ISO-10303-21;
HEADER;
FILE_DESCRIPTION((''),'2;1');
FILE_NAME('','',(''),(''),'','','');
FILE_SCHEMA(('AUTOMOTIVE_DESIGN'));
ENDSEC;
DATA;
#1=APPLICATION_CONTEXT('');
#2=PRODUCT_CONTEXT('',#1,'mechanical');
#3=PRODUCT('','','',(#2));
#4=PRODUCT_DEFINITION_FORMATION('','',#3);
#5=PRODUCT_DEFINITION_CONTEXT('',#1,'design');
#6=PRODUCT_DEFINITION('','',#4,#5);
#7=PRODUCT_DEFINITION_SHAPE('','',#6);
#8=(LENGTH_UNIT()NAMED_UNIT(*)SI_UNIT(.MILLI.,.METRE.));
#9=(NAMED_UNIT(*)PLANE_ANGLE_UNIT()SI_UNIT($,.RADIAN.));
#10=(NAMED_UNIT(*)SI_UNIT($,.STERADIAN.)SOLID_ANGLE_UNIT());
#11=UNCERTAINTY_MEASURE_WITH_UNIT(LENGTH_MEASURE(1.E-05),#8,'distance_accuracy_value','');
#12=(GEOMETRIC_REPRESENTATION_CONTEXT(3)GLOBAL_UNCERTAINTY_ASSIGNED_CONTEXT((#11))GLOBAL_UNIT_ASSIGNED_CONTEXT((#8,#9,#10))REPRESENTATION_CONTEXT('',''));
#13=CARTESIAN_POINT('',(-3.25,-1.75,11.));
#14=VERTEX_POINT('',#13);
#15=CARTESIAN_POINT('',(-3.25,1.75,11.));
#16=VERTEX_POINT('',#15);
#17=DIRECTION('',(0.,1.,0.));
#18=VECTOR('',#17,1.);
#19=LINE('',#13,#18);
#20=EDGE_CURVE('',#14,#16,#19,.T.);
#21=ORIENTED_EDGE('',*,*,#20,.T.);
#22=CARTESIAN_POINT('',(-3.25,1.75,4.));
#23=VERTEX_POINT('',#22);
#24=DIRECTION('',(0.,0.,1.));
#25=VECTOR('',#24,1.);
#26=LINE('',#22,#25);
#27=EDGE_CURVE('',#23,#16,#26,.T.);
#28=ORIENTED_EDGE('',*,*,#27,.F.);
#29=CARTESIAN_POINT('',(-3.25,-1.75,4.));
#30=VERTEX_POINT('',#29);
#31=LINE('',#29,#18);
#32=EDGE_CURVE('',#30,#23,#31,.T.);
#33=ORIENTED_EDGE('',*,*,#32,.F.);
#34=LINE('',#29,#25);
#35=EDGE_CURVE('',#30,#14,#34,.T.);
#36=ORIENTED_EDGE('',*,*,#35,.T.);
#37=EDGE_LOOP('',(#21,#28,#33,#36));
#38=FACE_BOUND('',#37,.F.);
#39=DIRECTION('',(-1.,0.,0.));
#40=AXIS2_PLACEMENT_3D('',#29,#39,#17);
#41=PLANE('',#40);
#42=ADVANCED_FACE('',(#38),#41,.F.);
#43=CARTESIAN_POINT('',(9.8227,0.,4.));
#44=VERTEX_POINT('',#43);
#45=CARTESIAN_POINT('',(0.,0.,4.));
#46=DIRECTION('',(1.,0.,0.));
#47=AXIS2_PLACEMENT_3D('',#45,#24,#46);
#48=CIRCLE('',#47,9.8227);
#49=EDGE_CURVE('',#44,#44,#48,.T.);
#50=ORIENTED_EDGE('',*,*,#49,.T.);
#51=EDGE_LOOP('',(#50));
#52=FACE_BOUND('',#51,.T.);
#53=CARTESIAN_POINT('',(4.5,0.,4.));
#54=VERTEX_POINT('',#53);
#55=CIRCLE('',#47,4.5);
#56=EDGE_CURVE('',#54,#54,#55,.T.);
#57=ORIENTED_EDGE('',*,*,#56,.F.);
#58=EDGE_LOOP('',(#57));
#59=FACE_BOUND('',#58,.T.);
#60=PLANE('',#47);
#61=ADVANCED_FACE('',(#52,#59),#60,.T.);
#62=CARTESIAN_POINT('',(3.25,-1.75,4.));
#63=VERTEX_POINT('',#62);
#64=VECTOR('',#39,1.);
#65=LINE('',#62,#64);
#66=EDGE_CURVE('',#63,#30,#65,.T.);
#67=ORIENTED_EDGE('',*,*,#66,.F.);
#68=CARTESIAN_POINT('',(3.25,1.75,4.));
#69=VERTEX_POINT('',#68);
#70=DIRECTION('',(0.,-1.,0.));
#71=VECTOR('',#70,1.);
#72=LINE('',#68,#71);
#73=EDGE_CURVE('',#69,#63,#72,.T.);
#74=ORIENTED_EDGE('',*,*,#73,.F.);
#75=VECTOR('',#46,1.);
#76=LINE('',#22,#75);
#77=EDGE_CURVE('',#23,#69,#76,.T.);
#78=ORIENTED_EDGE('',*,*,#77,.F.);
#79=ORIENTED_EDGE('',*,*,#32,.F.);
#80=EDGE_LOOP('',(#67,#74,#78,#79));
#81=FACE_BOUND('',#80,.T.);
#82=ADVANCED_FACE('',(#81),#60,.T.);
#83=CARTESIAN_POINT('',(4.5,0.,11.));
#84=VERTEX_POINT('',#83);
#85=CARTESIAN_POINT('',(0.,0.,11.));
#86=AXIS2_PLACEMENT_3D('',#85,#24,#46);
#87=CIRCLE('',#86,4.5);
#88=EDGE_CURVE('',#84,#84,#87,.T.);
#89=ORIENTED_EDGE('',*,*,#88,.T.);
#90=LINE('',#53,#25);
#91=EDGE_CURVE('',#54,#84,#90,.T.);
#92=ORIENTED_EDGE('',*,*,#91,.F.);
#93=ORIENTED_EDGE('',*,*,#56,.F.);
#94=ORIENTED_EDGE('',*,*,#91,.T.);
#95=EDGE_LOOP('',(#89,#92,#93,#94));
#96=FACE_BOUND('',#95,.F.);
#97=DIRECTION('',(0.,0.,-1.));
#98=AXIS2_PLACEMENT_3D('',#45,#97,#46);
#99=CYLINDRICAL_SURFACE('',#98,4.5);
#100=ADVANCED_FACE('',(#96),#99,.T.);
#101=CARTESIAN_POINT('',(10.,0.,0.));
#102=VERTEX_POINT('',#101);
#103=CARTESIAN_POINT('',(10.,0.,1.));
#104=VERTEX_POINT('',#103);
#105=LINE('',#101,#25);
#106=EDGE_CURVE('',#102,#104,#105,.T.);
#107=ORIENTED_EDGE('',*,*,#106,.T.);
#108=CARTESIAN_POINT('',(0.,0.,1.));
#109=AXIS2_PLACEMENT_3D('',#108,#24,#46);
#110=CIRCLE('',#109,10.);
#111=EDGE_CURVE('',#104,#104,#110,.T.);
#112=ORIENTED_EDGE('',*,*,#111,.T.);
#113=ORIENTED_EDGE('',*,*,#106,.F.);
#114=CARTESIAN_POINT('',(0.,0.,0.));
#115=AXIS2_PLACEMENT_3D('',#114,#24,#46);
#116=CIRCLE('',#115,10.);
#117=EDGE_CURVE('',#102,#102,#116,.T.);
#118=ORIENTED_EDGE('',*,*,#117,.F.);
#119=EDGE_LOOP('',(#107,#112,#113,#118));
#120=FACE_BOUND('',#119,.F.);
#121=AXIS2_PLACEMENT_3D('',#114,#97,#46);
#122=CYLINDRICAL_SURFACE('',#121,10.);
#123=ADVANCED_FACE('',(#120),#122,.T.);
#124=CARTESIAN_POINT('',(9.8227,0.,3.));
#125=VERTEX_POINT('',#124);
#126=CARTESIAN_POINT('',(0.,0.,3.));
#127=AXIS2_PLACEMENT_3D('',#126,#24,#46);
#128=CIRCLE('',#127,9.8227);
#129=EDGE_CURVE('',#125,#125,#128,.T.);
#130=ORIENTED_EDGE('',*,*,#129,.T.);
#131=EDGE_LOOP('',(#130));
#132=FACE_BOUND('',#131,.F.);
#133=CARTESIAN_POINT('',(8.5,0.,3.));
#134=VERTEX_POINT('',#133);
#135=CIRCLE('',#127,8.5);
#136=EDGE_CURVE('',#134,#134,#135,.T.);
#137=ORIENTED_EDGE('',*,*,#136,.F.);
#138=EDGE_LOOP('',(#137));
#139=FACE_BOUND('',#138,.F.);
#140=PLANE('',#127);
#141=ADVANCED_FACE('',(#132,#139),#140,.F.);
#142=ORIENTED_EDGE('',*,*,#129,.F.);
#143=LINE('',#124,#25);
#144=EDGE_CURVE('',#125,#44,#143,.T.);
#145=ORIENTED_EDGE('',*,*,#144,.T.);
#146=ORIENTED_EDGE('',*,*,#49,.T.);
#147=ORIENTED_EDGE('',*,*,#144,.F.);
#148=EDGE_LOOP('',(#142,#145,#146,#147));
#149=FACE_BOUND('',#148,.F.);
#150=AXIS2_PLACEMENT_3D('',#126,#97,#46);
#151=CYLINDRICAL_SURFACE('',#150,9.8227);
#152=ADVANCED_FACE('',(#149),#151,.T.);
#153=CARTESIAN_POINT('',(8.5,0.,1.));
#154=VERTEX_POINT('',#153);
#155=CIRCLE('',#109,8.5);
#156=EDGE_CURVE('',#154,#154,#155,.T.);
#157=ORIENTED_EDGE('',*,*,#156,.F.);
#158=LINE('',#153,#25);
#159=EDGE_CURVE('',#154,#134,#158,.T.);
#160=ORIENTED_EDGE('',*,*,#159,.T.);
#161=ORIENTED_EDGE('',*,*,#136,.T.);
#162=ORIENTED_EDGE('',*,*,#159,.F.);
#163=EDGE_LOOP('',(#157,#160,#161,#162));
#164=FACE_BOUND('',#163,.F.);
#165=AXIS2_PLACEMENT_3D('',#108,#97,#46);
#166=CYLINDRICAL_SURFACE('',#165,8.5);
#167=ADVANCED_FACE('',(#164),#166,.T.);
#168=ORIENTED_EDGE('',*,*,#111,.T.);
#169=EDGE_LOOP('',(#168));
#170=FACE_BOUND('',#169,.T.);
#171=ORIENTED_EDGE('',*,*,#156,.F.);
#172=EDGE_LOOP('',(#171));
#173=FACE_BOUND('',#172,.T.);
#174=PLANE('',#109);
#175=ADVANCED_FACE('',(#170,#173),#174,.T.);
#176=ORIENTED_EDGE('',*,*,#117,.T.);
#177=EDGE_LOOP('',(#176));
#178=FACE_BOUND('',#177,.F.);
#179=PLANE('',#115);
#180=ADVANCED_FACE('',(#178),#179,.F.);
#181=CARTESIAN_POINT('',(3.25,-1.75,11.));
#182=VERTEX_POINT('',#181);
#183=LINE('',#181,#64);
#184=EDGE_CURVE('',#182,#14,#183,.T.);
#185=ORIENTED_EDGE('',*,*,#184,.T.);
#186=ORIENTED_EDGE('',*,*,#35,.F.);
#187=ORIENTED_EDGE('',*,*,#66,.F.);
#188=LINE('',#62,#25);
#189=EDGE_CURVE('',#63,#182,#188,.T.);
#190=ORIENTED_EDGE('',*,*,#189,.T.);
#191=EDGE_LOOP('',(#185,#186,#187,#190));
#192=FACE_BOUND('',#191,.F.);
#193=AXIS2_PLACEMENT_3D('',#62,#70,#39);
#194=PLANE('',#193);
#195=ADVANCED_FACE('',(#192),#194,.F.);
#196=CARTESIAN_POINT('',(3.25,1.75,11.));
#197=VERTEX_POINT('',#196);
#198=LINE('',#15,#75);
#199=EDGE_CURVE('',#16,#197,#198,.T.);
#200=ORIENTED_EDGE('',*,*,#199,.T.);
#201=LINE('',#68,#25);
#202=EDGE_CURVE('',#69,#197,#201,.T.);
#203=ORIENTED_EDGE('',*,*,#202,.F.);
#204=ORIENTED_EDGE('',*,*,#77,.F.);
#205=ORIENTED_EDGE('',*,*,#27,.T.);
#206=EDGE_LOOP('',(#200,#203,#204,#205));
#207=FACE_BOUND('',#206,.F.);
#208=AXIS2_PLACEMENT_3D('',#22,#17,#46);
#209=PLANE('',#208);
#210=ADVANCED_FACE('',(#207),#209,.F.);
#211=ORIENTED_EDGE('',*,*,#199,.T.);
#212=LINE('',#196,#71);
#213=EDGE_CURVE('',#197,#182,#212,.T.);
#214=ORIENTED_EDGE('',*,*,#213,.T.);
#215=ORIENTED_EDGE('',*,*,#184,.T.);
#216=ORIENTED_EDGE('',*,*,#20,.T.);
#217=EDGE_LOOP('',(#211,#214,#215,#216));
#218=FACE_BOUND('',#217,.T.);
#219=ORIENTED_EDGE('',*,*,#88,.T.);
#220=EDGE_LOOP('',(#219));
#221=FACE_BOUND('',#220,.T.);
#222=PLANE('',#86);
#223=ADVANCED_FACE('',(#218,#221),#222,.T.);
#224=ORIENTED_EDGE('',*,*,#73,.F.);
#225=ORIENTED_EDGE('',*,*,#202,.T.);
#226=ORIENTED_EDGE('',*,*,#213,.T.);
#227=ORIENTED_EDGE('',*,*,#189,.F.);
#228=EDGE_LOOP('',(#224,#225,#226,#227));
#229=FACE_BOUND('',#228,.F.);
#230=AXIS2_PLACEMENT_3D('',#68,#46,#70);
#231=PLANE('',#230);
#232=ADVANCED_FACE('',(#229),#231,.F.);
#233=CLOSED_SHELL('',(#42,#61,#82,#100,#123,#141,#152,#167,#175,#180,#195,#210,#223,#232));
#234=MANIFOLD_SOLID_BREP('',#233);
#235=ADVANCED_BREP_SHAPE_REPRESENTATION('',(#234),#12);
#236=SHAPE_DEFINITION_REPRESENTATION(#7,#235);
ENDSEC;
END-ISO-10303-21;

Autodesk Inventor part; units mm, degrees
ref_plane "YZ Plane" through (0, 0, 0) normal (1, 0, 0) x (0, 1, 0)
ref_plane "XZ Plane" through (0, 0, 0) normal (0, 1, 0) x (-1, 0, 0)
ref_plane "XY Plane" through (0, 0, 0) normal (0, 0, 1) x (1, 0, 0)
sketch "Sketch1" plane through (0, 0, 0) normal (0, 0, 1) x (1, 0, 0)
  circle A0 centre (0, 0) radius 10
  dimension "d0" = 20
extrude "Extrusion1" add sketch "Sketch1" along normal blind 1
sketch "Sketch2" plane through (0, 0, 1) normal (0, 0, 1) x (1, 0, 0)
  circle A0 centre (0, 0) radius 8.5
  dimension "d3" = 17
extrude "Extrusion2" add sketch "Sketch2" along normal blind 2
sketch "Sketch3" plane through (0, 0, 3) normal (0, 0, 1) x (1, 0, 0)
  circle A0 centre (0, 0) radius 9.8227
extrude "Extrusion3" add sketch "Sketch3" along normal blind 1
sketch "Sketch4" plane through (0, 0, 4) normal (0, 0, 1) x (1, 0, 0)
  circle A0 centre (0, 0) radius 4.5
  line L0 (-3.25, 1.75) -> (3.25, 1.75)
  line L1 (3.25, 1.75) -> (3.25, -1.75)
  line L2 (3.25, -1.75) -> (-3.25, -1.75)
  line L3 (-3.25, -1.75) -> (-3.25, 1.75)
  dimension "d8" = 9
  dimension "d9" = 3.5
  dimension "d10" = 6.5
  dimension "d11" = 1.75
  dimension "d12" = 3.25
extrude "Extrusion4" add sketch "Sketch4" along normal blind 7
sketch "Sketch5" plane through (0, 0, 0) normal (0, 0, -1) x (-1, 0, 0)
  point P0 (0, 0)
properties part number "Pulling Stepper Pully"
